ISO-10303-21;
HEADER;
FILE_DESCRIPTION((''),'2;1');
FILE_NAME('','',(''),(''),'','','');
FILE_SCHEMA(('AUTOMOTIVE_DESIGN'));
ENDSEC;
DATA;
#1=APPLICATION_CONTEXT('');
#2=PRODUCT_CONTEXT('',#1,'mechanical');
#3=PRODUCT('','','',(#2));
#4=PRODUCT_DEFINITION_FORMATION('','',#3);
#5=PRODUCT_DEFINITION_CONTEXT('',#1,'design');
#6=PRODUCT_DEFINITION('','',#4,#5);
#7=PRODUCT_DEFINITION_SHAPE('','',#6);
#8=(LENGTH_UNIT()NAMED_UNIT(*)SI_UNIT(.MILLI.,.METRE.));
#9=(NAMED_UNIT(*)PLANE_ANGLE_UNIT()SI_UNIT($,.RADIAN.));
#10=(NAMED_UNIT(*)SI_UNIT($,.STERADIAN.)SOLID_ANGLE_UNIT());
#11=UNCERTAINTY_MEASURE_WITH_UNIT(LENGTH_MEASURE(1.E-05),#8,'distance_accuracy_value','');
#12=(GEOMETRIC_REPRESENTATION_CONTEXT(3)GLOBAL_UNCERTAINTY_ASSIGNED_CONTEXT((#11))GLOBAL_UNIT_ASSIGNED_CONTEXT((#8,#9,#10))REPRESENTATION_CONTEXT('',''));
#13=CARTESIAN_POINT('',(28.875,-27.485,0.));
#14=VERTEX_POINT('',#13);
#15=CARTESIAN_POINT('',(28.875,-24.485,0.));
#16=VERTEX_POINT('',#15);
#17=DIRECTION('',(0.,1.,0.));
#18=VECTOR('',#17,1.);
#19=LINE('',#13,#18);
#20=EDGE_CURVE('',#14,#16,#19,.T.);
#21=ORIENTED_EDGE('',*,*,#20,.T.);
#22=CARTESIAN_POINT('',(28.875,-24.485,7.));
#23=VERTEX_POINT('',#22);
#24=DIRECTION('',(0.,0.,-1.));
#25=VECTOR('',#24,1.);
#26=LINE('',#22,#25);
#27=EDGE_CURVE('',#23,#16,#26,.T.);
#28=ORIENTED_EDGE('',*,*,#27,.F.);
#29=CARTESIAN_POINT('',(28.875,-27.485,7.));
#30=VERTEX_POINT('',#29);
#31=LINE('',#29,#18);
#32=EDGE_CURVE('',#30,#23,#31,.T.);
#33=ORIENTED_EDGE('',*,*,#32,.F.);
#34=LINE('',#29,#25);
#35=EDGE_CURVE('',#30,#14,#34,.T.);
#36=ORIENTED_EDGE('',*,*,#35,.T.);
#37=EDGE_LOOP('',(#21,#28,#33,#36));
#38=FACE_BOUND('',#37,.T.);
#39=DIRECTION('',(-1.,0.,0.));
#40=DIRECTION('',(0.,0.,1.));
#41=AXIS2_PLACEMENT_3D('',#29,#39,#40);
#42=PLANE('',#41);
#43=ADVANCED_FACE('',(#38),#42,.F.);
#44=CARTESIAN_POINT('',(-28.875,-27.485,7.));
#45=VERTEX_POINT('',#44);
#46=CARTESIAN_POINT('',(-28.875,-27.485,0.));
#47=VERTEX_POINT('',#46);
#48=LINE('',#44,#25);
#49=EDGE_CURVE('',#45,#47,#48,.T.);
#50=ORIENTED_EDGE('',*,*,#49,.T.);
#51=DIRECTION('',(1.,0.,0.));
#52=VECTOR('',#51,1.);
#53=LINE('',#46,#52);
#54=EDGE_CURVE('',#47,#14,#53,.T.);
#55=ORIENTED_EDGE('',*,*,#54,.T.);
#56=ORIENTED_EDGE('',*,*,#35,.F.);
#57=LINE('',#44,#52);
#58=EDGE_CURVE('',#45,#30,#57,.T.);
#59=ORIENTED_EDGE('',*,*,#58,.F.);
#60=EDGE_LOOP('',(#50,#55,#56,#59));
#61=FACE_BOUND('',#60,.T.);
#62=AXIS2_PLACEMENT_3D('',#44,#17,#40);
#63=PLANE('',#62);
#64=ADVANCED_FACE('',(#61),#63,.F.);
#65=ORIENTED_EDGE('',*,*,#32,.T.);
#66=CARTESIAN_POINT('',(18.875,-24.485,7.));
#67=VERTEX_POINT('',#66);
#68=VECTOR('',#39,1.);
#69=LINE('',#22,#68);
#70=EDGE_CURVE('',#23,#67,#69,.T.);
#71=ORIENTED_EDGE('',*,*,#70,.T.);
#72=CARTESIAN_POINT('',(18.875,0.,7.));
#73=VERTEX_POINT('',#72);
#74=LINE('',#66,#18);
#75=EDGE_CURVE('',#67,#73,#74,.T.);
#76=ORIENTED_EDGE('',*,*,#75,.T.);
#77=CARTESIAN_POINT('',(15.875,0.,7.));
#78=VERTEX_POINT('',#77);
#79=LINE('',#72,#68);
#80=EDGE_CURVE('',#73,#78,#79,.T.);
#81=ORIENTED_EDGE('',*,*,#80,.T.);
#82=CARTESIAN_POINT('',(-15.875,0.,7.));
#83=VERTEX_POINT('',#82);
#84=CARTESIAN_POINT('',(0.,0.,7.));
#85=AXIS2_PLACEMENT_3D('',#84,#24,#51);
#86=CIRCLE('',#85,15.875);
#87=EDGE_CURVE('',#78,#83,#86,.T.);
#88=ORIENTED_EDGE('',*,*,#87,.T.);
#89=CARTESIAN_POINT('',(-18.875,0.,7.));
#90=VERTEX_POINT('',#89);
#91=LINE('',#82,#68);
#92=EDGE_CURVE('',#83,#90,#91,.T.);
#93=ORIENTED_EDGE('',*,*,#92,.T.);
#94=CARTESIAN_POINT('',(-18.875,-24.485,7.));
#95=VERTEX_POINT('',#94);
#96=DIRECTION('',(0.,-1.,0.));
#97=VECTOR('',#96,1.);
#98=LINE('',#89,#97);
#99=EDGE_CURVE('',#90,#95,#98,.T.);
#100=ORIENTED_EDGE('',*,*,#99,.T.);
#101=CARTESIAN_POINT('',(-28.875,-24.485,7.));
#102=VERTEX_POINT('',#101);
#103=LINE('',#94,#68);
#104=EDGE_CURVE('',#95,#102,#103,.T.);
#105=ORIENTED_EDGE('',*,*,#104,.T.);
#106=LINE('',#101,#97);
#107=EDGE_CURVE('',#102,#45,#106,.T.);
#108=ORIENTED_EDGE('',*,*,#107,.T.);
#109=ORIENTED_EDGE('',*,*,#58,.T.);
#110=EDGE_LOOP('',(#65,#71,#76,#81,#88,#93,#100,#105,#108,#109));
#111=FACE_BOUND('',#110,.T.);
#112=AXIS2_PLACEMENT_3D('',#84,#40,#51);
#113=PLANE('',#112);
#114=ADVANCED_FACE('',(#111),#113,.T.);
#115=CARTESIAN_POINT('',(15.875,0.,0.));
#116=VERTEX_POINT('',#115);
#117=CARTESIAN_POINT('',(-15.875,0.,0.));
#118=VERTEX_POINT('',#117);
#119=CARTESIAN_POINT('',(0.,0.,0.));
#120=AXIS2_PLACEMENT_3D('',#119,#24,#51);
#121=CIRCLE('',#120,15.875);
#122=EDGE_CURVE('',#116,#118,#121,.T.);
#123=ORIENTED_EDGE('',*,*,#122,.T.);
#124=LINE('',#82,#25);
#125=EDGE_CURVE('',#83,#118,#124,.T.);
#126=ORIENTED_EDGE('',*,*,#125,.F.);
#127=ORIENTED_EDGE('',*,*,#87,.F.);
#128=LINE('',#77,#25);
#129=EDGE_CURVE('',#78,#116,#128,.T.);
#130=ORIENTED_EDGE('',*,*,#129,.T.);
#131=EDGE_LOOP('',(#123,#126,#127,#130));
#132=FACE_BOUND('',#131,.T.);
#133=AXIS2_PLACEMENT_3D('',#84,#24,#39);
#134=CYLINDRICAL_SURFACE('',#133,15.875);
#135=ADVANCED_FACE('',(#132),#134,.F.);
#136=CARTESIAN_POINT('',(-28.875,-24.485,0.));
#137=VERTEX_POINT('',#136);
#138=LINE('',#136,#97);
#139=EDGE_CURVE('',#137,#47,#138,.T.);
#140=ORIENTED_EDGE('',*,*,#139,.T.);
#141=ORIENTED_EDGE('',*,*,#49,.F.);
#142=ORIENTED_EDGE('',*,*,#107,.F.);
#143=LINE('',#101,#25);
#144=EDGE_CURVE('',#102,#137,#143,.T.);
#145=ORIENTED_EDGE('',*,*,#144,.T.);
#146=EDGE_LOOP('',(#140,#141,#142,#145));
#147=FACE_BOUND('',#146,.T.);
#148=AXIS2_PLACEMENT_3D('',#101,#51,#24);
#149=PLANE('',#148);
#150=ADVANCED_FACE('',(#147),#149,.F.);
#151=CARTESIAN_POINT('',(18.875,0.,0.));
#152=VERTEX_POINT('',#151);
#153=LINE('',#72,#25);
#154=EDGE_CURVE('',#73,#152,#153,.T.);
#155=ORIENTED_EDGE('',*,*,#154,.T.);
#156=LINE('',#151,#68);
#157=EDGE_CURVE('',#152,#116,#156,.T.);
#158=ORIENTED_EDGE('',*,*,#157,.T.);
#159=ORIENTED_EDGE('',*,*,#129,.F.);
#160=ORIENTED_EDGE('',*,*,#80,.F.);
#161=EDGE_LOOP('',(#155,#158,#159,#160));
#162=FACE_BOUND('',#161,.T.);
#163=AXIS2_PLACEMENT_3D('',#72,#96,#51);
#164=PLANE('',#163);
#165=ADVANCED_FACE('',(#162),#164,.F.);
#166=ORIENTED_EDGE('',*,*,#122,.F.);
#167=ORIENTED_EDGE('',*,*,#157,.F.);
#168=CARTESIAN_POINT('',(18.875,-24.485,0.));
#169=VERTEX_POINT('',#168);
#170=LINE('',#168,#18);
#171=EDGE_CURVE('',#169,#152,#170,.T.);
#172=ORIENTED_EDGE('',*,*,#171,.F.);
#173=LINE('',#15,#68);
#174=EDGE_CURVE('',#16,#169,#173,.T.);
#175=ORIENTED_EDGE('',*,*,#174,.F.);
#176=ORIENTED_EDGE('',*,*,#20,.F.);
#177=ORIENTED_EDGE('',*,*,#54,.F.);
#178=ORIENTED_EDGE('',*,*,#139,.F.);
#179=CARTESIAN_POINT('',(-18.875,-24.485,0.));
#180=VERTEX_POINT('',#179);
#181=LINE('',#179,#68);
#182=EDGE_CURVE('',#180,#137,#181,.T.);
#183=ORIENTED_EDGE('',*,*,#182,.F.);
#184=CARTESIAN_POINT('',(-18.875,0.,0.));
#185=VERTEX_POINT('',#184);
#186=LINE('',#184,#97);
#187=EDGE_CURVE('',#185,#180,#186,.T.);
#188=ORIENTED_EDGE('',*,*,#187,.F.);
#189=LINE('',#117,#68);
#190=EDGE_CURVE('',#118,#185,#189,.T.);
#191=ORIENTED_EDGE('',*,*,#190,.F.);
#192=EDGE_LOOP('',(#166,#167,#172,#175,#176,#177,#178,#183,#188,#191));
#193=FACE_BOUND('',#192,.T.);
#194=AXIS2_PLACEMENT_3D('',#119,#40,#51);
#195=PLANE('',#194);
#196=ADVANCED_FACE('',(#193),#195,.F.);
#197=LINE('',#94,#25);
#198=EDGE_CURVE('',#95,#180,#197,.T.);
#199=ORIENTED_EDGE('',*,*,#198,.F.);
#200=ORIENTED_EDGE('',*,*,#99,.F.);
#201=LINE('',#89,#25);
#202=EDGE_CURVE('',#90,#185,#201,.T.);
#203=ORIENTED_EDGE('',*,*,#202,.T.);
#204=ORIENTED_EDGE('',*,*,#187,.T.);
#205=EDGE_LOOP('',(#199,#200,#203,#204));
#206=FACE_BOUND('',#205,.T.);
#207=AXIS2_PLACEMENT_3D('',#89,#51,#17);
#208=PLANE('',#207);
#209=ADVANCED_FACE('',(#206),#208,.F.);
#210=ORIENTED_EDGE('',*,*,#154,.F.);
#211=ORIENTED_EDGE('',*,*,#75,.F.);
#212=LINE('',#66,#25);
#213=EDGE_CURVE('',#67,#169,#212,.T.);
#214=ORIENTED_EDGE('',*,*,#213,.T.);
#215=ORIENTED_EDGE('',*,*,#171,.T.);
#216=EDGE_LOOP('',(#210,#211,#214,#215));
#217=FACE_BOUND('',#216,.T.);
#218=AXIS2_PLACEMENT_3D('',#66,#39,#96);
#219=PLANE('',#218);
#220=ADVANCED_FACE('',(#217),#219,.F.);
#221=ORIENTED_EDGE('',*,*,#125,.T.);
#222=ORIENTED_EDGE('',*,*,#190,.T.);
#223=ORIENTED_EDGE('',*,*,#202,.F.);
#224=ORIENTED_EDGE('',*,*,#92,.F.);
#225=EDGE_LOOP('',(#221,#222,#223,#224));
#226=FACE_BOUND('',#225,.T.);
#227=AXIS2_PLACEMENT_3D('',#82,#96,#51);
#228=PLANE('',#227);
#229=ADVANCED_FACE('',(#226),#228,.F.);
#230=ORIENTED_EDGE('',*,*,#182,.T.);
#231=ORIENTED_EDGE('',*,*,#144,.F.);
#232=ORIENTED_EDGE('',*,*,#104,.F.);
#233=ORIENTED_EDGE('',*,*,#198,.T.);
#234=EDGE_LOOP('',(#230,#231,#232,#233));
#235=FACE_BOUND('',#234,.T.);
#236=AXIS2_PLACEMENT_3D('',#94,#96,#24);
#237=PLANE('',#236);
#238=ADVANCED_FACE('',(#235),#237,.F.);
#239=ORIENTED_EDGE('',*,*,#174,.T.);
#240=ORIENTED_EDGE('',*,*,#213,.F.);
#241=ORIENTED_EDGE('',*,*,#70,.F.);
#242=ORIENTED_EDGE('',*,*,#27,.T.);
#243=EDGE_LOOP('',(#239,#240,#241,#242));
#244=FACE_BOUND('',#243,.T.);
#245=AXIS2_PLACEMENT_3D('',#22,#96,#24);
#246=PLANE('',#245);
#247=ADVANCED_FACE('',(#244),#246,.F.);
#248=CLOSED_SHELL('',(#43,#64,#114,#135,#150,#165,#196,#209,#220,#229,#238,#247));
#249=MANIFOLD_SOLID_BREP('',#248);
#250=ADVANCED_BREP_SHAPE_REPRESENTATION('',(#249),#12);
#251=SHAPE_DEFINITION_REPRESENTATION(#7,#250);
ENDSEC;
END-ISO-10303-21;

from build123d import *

# Parameters (mm, degrees)
BOSS_EXTRUDE1_DEPTH = 7


with BuildPart() as part:
    # Sketch1 → Boss-Extrude1 (new body)
    with BuildSketch(Plane.XY):
        with BuildLine():
            Line((-15.875, 0), (-18.875, 0))
            Line((-18.875, 0), (-18.875, -24.485))
            Line((-18.875, -24.485), (-28.875, -24.485))
            Line((-28.875, -24.485), (-28.875, -27.485))
            Line((-28.875, -27.485), (28.875, -27.485))
            Line((28.875, -27.485), (28.875, -24.485))
            Line((28.875, -24.485), (18.875, -24.485))
            Line((18.875, -24.485), (18.875, 0))
            Line((18.875, 0), (15.875, 0))
            ThreePointArc((15.875, 0), (0, -15.875), (-15.875, 0))
        make_face()
    extrude(amount=BOSS_EXTRUDE1_DEPTH)


solid = part.part
